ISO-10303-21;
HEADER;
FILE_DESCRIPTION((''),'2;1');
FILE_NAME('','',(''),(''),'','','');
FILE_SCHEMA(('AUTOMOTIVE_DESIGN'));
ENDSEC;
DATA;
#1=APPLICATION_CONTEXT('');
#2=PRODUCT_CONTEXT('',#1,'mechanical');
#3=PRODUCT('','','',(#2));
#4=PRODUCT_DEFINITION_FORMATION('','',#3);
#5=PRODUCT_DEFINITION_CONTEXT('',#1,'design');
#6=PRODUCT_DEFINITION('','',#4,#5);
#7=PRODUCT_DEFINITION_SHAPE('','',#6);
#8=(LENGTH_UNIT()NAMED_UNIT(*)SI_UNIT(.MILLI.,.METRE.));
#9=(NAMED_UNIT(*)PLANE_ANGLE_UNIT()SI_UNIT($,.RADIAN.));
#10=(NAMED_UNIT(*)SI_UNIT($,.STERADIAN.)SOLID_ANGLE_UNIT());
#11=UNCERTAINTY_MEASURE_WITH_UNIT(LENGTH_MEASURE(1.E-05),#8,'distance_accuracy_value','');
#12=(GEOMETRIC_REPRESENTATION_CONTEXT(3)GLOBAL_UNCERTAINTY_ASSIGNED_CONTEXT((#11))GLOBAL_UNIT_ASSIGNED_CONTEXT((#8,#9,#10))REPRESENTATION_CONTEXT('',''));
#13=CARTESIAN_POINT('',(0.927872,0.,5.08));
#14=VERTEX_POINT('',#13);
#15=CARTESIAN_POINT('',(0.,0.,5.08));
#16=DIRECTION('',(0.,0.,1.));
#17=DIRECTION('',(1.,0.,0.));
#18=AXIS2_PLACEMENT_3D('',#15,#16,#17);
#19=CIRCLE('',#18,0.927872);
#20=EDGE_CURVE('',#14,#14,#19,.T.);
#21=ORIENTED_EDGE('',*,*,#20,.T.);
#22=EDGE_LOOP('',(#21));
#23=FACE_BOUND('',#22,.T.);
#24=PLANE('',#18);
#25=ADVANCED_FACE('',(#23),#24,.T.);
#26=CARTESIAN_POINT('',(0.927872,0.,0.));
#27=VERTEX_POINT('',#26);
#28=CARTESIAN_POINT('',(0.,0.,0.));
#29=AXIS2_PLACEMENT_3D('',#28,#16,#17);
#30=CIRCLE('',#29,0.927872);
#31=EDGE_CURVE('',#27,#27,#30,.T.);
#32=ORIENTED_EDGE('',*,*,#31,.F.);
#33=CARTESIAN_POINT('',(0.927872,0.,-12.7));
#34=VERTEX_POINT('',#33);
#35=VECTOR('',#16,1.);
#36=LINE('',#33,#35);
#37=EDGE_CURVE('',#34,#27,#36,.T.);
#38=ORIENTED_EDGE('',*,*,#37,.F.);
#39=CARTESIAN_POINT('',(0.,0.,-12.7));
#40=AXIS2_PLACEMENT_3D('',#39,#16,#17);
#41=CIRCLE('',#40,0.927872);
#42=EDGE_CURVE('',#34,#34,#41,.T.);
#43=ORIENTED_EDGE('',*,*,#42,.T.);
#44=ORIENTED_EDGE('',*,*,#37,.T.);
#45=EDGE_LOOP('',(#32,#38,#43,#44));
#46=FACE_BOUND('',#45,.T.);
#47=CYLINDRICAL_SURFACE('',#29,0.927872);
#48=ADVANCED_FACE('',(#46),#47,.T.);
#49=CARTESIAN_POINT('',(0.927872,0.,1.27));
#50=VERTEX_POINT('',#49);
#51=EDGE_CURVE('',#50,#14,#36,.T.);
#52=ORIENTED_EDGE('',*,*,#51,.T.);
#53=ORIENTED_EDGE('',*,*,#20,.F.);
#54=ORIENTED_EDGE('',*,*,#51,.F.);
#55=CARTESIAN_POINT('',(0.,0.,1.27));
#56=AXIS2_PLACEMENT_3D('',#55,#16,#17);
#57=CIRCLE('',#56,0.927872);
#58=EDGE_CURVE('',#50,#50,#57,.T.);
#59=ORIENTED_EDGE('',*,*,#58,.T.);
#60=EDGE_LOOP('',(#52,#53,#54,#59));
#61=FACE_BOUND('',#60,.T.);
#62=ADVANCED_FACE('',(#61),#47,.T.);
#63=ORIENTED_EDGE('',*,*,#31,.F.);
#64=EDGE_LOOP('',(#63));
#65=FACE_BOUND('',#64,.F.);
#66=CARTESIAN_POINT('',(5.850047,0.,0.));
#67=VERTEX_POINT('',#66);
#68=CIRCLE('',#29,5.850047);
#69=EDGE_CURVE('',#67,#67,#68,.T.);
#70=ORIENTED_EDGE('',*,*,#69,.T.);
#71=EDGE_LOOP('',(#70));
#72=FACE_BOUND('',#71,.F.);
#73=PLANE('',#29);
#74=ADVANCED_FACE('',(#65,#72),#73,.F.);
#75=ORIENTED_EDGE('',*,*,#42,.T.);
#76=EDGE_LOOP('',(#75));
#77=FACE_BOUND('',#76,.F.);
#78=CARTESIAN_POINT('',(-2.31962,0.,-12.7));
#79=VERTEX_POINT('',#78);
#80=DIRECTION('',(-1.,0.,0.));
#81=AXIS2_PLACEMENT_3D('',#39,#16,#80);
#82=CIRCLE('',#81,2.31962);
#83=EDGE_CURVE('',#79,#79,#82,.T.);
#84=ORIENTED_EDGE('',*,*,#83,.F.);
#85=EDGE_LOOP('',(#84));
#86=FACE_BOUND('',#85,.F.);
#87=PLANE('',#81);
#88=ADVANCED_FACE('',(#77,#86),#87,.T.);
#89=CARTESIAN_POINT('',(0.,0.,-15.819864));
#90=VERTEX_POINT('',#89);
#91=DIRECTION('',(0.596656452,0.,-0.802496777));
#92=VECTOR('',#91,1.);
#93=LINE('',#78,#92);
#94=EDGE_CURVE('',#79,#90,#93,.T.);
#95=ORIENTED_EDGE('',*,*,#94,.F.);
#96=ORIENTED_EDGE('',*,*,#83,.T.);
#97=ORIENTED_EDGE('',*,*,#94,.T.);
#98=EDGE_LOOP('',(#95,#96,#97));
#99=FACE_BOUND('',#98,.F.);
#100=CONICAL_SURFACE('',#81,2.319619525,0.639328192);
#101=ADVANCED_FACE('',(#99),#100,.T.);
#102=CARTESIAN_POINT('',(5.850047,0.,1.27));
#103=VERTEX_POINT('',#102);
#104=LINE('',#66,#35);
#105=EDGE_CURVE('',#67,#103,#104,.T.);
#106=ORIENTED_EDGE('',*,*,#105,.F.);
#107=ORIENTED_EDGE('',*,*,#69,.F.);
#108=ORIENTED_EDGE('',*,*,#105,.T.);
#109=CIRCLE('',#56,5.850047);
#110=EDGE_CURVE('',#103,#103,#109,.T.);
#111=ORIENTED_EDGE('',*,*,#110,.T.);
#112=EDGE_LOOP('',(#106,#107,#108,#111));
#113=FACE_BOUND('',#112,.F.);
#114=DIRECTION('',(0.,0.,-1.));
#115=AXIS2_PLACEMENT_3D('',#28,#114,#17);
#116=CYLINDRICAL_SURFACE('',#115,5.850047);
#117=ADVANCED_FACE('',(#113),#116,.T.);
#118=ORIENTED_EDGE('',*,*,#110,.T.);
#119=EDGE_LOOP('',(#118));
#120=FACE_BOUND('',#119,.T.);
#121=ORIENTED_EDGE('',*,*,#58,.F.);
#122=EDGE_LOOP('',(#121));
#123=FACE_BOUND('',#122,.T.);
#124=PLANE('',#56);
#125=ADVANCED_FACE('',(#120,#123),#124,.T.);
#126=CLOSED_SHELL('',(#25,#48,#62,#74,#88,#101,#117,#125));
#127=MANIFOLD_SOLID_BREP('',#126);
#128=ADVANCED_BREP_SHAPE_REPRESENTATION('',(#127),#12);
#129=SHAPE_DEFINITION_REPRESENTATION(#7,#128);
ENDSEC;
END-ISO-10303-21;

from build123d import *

# Parameters (mm, degrees)
F0_R     = 0.9278723563
F1_DEPTH = 12.7
F4_DEPTH = 7.62
F5_R     = 5.8500473035
F6_DEPTH = 1.27


with BuildPart() as f1:
    # F0 (on Top) → F1 (new body, symmetric)
    with BuildSketch(Plane.XY):
        Circle(F0_R)
    extrude(amount=F1_DEPTH, both=True)

    # F2 (on Front) → F3 (revolve)
    with BuildSketch(Plane.XZ):
        Polygon((0, -15.8198643476), (0, -12.7), (-2.3196195252, -12.7), align=None)
    revolve(axis=Axis((0, 0, -14.2599321738), (0, 0, 1)))

    # F4 (cut): a face of the model
    f4_faces = [f1.faces().sort_by_distance(p)[0] for p in [
        (0, 0, 12.7),
    ]]
    extrude(f4_faces, amount=-F4_DEPTH, mode=Mode.SUBTRACT)

    # F5 (on Top) → F6 (join)
    with BuildSketch(Plane.XY):
        Circle(F5_R)
    extrude(amount=F6_DEPTH)


solid = f1.part
